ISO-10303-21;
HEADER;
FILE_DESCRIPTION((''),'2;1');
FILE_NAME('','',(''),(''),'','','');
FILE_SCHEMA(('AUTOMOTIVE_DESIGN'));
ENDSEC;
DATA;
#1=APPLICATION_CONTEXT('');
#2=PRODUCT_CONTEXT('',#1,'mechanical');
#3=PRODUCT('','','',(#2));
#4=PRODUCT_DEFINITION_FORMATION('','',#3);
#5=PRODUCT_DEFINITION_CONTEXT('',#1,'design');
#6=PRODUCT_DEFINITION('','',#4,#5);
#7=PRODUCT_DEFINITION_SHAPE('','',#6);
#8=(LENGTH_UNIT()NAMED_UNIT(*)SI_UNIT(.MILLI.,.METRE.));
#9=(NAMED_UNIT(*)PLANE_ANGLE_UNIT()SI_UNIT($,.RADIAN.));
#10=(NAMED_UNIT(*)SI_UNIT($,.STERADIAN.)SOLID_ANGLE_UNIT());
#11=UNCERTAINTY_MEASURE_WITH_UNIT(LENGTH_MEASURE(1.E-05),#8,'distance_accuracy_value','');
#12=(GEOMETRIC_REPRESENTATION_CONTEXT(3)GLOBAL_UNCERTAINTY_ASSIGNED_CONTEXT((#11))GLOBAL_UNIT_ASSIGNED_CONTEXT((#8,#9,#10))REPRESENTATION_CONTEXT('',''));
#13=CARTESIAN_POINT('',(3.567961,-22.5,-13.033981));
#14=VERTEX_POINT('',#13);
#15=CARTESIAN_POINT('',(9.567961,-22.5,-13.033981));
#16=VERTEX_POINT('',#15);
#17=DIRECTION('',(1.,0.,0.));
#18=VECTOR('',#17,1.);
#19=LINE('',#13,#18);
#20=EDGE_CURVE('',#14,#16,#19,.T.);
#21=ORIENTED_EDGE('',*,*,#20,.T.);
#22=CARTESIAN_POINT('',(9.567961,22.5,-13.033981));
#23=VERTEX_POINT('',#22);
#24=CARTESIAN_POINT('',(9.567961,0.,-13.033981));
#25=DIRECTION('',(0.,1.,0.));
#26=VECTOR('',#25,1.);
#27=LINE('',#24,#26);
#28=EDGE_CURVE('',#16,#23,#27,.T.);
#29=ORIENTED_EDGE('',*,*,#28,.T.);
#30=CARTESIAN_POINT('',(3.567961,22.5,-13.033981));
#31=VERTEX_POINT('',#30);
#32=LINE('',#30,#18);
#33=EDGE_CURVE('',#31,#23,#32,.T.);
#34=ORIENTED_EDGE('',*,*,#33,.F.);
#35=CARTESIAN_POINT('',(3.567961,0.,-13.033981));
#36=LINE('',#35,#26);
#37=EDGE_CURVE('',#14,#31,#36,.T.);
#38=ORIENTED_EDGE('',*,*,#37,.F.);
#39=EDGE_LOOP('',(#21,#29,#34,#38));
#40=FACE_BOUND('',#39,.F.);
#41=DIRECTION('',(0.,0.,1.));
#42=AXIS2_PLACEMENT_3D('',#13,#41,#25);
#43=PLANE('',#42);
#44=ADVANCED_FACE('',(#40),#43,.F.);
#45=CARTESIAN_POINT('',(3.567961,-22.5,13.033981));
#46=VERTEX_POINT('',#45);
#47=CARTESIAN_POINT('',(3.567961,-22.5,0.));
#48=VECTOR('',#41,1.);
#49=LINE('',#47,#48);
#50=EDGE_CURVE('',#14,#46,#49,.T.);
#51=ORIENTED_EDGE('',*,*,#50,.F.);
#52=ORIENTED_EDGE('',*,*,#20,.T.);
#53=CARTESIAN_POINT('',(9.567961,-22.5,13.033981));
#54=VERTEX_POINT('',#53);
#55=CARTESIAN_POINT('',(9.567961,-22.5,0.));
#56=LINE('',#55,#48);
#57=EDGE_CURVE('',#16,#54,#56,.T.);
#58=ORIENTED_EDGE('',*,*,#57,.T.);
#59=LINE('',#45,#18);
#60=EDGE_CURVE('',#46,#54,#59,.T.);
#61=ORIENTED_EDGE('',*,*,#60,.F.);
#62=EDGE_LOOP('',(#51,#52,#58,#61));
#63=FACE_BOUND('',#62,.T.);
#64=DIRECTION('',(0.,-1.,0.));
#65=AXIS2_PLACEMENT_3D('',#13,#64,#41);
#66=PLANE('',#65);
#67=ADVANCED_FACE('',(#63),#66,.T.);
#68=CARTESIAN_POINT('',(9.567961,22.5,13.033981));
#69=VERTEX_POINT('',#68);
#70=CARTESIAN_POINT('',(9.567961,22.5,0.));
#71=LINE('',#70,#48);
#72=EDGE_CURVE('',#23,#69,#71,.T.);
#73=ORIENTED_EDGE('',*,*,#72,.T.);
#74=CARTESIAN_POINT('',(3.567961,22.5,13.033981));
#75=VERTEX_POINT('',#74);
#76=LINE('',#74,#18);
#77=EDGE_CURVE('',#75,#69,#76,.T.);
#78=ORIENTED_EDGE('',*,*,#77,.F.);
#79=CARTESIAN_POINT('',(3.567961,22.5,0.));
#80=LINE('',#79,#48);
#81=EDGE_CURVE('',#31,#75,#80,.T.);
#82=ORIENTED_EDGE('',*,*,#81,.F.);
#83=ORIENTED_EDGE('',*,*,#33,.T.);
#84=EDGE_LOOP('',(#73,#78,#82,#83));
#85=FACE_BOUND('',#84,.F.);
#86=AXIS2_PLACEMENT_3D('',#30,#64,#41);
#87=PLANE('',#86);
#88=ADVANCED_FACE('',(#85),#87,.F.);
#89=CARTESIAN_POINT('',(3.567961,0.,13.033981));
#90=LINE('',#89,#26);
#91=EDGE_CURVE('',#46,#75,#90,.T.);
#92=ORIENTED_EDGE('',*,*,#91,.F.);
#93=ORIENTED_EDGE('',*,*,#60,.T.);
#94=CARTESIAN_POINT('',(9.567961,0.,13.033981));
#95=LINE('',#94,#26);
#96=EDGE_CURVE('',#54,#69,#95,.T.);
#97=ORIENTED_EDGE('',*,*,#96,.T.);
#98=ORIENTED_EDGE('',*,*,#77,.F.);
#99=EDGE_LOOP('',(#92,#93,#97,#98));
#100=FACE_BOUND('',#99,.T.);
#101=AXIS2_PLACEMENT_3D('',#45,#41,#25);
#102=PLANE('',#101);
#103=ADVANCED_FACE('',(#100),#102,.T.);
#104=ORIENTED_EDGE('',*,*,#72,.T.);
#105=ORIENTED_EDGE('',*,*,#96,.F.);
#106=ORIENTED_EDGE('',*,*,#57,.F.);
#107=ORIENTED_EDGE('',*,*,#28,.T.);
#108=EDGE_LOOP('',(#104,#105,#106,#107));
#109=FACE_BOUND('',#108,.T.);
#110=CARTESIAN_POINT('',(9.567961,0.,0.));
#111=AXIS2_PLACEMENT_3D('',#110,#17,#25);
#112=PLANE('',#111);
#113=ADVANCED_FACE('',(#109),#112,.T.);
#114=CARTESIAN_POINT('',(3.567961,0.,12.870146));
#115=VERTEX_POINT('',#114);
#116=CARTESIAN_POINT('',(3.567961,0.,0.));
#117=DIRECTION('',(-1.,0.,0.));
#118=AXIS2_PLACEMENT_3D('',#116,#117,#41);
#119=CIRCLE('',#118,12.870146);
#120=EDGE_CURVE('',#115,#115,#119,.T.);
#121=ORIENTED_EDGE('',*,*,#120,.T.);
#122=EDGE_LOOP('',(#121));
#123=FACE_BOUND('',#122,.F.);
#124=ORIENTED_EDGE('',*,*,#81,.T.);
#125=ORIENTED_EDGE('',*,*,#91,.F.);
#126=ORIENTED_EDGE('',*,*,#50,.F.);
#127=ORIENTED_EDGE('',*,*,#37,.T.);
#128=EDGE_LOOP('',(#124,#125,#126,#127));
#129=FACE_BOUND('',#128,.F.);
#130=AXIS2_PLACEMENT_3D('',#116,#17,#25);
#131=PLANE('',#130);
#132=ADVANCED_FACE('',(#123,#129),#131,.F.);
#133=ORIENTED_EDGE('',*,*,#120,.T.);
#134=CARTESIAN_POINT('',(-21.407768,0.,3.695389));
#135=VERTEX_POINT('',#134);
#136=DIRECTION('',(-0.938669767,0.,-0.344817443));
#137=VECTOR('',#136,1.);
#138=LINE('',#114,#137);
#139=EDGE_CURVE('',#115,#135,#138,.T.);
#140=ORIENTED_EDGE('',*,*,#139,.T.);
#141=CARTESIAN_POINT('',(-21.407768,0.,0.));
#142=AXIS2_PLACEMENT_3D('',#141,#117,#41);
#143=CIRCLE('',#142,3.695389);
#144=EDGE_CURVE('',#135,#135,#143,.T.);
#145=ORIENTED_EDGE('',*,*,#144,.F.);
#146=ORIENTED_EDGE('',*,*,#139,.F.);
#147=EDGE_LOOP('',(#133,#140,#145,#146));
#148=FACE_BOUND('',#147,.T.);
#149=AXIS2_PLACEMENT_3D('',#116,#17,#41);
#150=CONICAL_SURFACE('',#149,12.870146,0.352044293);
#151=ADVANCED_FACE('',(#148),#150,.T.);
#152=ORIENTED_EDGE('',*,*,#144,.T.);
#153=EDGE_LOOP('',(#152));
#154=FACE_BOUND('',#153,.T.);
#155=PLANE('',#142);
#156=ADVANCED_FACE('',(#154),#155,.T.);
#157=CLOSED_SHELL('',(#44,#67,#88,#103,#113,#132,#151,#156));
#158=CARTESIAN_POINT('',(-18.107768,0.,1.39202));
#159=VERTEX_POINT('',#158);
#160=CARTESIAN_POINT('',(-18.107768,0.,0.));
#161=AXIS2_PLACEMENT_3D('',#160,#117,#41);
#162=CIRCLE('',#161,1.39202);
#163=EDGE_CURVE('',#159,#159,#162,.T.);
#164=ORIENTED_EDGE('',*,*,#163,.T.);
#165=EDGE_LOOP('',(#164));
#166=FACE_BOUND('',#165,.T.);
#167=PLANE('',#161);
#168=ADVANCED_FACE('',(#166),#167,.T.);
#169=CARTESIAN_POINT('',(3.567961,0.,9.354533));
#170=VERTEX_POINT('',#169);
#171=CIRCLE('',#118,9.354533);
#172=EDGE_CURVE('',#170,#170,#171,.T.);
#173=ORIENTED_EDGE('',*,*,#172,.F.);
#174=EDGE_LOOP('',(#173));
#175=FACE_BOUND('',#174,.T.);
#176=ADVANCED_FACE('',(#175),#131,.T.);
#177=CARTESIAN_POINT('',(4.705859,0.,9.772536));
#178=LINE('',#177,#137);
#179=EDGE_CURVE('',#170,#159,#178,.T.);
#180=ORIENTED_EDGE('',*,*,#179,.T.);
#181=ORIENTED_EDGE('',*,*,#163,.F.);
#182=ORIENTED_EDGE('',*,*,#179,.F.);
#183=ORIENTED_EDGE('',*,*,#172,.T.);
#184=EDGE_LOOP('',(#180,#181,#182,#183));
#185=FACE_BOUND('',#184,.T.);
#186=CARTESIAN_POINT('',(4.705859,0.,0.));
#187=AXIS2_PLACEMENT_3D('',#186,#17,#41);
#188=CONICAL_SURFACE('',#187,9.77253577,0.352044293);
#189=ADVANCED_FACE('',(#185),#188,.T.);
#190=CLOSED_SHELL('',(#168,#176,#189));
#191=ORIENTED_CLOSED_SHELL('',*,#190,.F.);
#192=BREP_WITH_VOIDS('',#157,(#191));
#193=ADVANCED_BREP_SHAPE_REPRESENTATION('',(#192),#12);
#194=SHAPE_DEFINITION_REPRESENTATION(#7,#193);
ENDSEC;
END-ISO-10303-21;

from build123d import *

# Parameters (mm, degrees)
F2_T     = -3.3
F3_W     = 45
F3_H     = 26.067962
F4_DEPTH = 6


with BuildPart() as f1:
    # F0 (on Front) → F1 (revolve)
    with BuildSketch(Plane.XZ):
        Polygon((-21.407768, 3.695389), (-21.407768, 0), (3.567961, 0), (3.567961, 12.870146), align=None)
    revolve(axis=Axis((-8.919903, 0, 0), (-1, 0, 0)))

    # F2
    f2_openings = [f1.faces().sort_by_distance(p)[0] for p in [
        (3.567961, 0, 0),
    ]]
    offset(amount=F2_T, openings=f2_openings)

    # F3 (on face) → F4 (join)
    with BuildSketch(Plane.YZ.offset(3.567961)):
        Rectangle(F3_W, F3_H)
    extrude(amount=F4_DEPTH)


solid = f1.part
